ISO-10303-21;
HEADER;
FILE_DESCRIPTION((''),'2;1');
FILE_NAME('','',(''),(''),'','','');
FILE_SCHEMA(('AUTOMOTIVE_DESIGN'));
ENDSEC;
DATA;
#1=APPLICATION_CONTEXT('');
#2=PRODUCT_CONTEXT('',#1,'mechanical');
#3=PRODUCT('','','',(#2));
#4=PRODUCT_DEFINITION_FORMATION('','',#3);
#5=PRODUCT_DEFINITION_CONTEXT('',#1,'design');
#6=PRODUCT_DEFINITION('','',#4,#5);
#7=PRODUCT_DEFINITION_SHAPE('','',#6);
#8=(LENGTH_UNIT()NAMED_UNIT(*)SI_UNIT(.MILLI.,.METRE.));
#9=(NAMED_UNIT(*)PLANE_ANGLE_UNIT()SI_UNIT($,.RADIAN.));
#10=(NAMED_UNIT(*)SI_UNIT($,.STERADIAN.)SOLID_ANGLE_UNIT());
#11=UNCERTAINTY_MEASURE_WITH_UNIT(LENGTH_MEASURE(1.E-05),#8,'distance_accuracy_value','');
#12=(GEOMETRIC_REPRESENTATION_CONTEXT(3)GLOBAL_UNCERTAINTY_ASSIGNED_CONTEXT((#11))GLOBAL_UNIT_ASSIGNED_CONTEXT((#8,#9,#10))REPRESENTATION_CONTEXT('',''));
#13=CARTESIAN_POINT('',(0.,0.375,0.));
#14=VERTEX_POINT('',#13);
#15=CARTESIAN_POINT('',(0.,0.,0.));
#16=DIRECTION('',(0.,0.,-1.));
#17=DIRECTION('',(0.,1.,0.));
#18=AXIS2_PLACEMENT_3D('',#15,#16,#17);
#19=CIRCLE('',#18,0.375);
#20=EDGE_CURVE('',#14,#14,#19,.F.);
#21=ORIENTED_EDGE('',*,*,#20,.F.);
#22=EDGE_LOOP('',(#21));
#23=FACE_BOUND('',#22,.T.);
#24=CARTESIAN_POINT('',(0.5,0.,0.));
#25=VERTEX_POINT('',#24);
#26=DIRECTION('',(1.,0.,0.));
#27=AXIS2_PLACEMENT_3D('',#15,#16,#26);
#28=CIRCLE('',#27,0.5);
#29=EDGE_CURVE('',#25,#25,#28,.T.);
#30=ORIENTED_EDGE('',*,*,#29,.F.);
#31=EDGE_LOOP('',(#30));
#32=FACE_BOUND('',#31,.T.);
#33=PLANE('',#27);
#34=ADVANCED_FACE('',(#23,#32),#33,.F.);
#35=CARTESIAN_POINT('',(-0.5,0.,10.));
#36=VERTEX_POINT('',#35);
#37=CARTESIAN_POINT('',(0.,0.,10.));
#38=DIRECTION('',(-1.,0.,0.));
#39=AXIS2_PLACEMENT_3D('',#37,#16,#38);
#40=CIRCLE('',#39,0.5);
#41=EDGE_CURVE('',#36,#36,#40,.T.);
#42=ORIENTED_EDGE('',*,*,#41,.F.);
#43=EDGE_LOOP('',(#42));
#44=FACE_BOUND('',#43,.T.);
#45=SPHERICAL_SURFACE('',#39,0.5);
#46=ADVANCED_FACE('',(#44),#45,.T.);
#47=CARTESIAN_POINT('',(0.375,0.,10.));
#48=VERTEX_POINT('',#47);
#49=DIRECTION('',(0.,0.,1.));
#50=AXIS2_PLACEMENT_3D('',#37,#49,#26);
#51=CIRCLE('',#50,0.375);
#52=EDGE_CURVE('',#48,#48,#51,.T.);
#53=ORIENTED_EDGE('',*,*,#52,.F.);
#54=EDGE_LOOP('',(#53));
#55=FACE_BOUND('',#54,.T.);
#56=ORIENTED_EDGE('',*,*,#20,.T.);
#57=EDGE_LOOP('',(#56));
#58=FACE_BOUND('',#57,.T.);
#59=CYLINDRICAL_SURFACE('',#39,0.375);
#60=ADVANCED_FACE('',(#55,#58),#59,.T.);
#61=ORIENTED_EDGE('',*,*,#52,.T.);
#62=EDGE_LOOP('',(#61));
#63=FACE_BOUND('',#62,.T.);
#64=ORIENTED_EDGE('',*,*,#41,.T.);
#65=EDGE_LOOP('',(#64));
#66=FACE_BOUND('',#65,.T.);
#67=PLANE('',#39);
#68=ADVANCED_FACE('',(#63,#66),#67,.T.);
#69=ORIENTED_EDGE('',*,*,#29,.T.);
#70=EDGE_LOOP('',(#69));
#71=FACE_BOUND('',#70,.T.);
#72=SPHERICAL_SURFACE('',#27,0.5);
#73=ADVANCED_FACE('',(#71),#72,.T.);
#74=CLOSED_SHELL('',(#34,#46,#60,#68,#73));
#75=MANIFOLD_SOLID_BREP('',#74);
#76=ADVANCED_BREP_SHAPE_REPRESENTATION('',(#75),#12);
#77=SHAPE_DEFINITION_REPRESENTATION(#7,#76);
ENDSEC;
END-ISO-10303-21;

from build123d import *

# Parameters (mm, degrees)
REVOLVE_1_ANGLE = 180
SKETCH_2_R      = 0.375
EXTRUDE_1_DEPTH = 10
REVOLVE_2_ANGLE = 180


with BuildPart() as part:
    # 草图1 → 旋转1 (revolve)
    with BuildSketch(Plane.XY):
        with BuildLine():
            Line((-0.5, 0), (0.5, 0))
            ThreePointArc((0.5, 0), (0, -0.5), (-0.5, 0))
        make_face()
    revolve(axis=Axis((-0.5, 0, 0), (1, 0, 0)), revolution_arc=REVOLVE_1_ANGLE)

    # 草图2 → 凸台-拉伸1 (add)
    with BuildSketch(Plane.XY):
        with Locations(Location((0, 0, 0), (0, 0, 90))):
            Circle(SKETCH_2_R)
    extrude(amount=EXTRUDE_1_DEPTH)

    # 草图3 → 旋转2 (revolve)
    with BuildSketch(Plane.XY.offset(10)):
        with BuildLine():
            Line((0, 0.5), (0, -0.5))
            ThreePointArc((0, -0.5), (-0.5, 0), (0, 0.5))
        make_face()
    revolve(axis=Axis((0, 0.5, 10), (0, 1, 0)), revolution_arc=REVOLVE_2_ANGLE)


solid = part.part
